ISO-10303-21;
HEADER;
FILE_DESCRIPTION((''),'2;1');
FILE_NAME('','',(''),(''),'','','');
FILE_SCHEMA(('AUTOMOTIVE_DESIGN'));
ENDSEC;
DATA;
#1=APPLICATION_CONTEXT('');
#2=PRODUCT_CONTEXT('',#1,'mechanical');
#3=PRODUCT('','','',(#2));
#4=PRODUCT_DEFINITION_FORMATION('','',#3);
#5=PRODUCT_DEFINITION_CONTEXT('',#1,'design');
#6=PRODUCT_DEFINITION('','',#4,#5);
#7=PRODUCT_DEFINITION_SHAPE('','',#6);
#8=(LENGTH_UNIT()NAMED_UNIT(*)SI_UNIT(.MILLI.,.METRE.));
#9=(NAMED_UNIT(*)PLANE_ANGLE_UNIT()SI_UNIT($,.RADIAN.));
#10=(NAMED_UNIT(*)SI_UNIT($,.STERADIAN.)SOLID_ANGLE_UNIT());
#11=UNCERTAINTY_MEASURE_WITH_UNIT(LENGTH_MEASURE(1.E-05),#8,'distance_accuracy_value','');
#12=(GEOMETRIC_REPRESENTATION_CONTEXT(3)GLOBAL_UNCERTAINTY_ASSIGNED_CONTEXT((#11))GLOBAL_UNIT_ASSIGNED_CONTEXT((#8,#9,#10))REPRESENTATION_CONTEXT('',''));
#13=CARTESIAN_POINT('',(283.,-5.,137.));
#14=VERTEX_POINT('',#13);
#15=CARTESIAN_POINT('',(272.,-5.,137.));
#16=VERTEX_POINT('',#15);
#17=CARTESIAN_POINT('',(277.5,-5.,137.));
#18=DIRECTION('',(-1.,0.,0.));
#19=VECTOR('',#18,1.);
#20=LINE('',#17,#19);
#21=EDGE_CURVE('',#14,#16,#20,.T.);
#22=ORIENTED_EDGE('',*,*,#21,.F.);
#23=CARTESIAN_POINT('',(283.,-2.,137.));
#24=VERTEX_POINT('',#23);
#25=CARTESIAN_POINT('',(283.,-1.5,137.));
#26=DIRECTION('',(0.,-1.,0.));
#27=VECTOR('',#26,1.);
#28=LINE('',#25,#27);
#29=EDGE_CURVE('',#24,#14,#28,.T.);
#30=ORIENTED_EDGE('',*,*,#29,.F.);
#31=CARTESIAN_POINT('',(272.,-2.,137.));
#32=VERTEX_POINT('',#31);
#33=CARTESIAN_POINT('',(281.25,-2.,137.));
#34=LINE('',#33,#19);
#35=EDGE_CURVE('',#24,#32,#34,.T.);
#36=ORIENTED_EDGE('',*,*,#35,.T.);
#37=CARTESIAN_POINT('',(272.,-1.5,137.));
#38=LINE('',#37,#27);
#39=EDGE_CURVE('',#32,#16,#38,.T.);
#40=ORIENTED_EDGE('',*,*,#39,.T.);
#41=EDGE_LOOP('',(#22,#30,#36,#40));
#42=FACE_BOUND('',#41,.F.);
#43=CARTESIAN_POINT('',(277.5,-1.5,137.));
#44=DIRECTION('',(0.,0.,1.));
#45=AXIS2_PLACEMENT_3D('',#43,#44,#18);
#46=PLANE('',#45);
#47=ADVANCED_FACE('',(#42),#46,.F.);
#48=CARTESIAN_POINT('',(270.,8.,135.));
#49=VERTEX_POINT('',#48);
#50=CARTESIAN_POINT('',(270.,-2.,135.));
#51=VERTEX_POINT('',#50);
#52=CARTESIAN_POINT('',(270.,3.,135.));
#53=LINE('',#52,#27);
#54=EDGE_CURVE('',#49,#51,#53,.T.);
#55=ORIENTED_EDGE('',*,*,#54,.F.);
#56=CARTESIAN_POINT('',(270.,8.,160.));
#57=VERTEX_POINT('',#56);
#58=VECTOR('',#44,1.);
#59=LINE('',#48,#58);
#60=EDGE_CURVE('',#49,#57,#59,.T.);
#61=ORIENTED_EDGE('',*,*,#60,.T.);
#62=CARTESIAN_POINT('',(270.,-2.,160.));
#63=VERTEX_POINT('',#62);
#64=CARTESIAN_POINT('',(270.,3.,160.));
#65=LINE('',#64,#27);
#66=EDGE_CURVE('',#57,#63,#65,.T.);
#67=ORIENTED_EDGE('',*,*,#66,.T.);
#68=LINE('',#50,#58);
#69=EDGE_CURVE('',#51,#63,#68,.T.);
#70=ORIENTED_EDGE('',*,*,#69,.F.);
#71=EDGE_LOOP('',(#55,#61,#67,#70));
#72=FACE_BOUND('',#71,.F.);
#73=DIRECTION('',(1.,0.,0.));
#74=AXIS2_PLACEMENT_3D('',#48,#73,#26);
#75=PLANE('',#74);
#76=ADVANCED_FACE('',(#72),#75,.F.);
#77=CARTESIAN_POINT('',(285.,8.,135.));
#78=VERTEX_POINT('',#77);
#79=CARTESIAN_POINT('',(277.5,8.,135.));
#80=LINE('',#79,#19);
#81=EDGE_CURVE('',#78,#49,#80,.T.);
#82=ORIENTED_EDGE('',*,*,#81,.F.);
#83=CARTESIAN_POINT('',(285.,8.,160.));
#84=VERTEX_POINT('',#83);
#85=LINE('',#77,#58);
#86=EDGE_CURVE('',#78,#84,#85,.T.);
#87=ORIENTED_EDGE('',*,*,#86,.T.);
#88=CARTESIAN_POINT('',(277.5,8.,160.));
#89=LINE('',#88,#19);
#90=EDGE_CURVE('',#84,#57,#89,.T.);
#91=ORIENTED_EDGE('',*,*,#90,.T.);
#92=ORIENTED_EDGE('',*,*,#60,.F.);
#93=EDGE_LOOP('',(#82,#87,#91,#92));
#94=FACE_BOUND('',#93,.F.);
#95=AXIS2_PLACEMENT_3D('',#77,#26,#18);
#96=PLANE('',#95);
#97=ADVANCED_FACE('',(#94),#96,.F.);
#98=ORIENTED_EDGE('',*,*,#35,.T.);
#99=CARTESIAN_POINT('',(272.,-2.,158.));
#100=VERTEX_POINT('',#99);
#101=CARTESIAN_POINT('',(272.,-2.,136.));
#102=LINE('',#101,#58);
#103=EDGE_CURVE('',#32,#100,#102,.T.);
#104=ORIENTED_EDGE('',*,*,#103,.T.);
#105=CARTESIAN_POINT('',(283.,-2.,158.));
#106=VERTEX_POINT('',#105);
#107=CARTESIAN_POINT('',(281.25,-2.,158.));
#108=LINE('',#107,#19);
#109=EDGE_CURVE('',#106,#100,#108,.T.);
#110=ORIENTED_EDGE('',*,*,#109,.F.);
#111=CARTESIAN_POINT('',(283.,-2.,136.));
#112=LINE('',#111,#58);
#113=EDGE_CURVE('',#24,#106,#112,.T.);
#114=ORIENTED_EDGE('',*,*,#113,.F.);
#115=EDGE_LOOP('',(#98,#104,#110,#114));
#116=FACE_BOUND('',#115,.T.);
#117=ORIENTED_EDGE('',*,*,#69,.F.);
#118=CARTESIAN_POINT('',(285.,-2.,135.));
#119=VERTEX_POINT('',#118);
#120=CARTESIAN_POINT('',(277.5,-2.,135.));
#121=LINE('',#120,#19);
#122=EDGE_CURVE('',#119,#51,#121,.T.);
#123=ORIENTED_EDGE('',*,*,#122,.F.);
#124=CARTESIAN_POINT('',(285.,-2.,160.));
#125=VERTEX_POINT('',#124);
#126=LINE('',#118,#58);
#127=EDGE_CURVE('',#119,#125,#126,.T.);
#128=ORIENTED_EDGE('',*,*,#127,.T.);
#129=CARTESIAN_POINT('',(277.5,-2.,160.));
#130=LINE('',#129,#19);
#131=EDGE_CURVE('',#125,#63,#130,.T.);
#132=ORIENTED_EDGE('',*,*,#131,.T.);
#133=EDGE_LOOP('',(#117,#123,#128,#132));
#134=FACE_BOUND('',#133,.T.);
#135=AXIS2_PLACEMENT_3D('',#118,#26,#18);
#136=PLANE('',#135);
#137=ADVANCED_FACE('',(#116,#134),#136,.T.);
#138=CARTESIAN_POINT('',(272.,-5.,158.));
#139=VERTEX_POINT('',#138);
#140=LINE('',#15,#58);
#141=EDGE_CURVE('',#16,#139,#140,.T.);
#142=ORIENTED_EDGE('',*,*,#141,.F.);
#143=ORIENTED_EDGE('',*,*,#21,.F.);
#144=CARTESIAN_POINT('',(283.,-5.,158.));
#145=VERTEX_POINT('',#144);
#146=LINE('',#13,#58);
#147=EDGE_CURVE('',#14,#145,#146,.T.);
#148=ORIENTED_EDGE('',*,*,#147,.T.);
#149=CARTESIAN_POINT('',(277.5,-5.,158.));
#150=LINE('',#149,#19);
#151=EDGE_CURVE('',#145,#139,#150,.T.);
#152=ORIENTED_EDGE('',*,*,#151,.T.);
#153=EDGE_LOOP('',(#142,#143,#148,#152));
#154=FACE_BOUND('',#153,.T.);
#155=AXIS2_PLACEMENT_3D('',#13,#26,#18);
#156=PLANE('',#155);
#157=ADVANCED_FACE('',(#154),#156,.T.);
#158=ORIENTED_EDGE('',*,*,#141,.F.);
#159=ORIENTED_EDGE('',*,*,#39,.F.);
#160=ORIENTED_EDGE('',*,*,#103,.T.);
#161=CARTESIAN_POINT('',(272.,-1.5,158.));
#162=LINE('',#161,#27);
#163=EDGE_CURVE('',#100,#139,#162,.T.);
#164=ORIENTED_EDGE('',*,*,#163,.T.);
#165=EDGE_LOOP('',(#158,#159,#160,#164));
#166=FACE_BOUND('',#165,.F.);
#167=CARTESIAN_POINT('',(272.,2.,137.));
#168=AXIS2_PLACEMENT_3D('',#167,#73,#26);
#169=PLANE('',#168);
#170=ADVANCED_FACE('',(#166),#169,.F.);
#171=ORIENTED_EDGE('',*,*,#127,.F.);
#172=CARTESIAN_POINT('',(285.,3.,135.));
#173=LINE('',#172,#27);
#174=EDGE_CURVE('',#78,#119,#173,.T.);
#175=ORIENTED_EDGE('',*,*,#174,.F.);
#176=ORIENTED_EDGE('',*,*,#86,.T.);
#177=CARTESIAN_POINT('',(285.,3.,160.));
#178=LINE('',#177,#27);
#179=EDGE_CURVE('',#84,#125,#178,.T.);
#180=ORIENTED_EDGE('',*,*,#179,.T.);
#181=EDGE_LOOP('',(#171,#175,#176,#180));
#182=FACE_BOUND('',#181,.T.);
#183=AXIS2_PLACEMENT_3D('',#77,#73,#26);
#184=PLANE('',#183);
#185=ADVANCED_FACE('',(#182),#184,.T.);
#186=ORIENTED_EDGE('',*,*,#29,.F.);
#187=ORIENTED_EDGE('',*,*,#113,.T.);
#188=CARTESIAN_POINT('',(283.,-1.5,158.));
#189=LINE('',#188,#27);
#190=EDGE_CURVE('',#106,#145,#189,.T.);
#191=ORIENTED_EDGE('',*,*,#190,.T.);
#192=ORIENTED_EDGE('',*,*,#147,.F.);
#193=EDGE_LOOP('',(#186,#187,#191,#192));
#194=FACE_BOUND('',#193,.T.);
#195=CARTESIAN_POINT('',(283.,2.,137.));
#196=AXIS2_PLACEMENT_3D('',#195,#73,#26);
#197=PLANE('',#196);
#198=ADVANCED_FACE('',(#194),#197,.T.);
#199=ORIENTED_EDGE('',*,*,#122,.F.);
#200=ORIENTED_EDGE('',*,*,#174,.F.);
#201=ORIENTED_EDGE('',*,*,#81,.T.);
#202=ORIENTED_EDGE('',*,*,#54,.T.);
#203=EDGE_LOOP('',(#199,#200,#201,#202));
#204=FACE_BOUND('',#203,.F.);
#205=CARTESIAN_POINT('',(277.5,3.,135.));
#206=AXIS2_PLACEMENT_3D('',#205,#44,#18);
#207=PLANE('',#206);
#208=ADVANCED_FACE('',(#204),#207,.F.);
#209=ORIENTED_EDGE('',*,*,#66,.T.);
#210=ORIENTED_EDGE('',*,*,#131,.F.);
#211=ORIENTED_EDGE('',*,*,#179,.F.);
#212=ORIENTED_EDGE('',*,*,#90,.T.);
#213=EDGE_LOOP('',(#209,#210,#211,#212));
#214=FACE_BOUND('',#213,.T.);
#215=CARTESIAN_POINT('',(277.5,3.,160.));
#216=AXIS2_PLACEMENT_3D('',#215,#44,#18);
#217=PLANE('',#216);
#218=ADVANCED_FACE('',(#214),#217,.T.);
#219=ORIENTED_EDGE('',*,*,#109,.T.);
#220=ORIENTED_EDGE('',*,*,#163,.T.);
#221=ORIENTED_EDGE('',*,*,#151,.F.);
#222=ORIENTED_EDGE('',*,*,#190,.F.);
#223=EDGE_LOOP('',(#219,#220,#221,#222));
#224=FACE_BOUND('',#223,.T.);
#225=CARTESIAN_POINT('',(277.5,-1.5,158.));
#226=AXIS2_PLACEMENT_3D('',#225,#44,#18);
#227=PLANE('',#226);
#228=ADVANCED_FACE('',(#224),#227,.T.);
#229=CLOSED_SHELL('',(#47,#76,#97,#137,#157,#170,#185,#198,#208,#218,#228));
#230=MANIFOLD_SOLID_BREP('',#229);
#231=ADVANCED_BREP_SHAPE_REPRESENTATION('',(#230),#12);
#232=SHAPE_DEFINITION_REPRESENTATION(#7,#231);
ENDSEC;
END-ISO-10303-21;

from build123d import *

# Parameters (mm, degrees)
BOX025_W                  = 11
BOX025_H                  = 7
BOX025_DEPTH              = 21
BOX024_W                  = 15
BOX024_H                  = 10
BOX024_DEPTH              = 25
FUSION005_PLACEMENT_ANGLE = 180


with BuildPart() as box025:
    # Box025 → Box025 (new body)
    with BuildSketch(Plane(origin=(227, 236, 227), x_dir=(1, 0, 0), z_dir=(0, 0, 1))):
        with Locations((5.5, 3.5)):
            Rectangle(BOX025_W, BOX025_H)
    extrude(amount=BOX025_DEPTH)


with BuildPart() as ac_plug_switch:
    # Box024 → Box024 (new body)
    with BuildSketch(Plane(origin=(225, 230, 225), x_dir=(1, 0, 0), z_dir=(0, 0, 1))):
        with Locations((7.5, 5)):
            Rectangle(BOX024_W, BOX024_H)
    extrude(amount=BOX024_DEPTH)

    # Fusion005: union Box025
    add(box025.part)


with BuildPart() as ac_plug_switch_1:
    # Fusion005 placement: moved
    add(ac_plug_switch.part.moved(Location((510, 238, -90))).rotate(Axis((510, 238, -90), (0, 0, 1)), FUSION005_PLACEMENT_ANGLE))


solid = ac_plug_switch_1.part
